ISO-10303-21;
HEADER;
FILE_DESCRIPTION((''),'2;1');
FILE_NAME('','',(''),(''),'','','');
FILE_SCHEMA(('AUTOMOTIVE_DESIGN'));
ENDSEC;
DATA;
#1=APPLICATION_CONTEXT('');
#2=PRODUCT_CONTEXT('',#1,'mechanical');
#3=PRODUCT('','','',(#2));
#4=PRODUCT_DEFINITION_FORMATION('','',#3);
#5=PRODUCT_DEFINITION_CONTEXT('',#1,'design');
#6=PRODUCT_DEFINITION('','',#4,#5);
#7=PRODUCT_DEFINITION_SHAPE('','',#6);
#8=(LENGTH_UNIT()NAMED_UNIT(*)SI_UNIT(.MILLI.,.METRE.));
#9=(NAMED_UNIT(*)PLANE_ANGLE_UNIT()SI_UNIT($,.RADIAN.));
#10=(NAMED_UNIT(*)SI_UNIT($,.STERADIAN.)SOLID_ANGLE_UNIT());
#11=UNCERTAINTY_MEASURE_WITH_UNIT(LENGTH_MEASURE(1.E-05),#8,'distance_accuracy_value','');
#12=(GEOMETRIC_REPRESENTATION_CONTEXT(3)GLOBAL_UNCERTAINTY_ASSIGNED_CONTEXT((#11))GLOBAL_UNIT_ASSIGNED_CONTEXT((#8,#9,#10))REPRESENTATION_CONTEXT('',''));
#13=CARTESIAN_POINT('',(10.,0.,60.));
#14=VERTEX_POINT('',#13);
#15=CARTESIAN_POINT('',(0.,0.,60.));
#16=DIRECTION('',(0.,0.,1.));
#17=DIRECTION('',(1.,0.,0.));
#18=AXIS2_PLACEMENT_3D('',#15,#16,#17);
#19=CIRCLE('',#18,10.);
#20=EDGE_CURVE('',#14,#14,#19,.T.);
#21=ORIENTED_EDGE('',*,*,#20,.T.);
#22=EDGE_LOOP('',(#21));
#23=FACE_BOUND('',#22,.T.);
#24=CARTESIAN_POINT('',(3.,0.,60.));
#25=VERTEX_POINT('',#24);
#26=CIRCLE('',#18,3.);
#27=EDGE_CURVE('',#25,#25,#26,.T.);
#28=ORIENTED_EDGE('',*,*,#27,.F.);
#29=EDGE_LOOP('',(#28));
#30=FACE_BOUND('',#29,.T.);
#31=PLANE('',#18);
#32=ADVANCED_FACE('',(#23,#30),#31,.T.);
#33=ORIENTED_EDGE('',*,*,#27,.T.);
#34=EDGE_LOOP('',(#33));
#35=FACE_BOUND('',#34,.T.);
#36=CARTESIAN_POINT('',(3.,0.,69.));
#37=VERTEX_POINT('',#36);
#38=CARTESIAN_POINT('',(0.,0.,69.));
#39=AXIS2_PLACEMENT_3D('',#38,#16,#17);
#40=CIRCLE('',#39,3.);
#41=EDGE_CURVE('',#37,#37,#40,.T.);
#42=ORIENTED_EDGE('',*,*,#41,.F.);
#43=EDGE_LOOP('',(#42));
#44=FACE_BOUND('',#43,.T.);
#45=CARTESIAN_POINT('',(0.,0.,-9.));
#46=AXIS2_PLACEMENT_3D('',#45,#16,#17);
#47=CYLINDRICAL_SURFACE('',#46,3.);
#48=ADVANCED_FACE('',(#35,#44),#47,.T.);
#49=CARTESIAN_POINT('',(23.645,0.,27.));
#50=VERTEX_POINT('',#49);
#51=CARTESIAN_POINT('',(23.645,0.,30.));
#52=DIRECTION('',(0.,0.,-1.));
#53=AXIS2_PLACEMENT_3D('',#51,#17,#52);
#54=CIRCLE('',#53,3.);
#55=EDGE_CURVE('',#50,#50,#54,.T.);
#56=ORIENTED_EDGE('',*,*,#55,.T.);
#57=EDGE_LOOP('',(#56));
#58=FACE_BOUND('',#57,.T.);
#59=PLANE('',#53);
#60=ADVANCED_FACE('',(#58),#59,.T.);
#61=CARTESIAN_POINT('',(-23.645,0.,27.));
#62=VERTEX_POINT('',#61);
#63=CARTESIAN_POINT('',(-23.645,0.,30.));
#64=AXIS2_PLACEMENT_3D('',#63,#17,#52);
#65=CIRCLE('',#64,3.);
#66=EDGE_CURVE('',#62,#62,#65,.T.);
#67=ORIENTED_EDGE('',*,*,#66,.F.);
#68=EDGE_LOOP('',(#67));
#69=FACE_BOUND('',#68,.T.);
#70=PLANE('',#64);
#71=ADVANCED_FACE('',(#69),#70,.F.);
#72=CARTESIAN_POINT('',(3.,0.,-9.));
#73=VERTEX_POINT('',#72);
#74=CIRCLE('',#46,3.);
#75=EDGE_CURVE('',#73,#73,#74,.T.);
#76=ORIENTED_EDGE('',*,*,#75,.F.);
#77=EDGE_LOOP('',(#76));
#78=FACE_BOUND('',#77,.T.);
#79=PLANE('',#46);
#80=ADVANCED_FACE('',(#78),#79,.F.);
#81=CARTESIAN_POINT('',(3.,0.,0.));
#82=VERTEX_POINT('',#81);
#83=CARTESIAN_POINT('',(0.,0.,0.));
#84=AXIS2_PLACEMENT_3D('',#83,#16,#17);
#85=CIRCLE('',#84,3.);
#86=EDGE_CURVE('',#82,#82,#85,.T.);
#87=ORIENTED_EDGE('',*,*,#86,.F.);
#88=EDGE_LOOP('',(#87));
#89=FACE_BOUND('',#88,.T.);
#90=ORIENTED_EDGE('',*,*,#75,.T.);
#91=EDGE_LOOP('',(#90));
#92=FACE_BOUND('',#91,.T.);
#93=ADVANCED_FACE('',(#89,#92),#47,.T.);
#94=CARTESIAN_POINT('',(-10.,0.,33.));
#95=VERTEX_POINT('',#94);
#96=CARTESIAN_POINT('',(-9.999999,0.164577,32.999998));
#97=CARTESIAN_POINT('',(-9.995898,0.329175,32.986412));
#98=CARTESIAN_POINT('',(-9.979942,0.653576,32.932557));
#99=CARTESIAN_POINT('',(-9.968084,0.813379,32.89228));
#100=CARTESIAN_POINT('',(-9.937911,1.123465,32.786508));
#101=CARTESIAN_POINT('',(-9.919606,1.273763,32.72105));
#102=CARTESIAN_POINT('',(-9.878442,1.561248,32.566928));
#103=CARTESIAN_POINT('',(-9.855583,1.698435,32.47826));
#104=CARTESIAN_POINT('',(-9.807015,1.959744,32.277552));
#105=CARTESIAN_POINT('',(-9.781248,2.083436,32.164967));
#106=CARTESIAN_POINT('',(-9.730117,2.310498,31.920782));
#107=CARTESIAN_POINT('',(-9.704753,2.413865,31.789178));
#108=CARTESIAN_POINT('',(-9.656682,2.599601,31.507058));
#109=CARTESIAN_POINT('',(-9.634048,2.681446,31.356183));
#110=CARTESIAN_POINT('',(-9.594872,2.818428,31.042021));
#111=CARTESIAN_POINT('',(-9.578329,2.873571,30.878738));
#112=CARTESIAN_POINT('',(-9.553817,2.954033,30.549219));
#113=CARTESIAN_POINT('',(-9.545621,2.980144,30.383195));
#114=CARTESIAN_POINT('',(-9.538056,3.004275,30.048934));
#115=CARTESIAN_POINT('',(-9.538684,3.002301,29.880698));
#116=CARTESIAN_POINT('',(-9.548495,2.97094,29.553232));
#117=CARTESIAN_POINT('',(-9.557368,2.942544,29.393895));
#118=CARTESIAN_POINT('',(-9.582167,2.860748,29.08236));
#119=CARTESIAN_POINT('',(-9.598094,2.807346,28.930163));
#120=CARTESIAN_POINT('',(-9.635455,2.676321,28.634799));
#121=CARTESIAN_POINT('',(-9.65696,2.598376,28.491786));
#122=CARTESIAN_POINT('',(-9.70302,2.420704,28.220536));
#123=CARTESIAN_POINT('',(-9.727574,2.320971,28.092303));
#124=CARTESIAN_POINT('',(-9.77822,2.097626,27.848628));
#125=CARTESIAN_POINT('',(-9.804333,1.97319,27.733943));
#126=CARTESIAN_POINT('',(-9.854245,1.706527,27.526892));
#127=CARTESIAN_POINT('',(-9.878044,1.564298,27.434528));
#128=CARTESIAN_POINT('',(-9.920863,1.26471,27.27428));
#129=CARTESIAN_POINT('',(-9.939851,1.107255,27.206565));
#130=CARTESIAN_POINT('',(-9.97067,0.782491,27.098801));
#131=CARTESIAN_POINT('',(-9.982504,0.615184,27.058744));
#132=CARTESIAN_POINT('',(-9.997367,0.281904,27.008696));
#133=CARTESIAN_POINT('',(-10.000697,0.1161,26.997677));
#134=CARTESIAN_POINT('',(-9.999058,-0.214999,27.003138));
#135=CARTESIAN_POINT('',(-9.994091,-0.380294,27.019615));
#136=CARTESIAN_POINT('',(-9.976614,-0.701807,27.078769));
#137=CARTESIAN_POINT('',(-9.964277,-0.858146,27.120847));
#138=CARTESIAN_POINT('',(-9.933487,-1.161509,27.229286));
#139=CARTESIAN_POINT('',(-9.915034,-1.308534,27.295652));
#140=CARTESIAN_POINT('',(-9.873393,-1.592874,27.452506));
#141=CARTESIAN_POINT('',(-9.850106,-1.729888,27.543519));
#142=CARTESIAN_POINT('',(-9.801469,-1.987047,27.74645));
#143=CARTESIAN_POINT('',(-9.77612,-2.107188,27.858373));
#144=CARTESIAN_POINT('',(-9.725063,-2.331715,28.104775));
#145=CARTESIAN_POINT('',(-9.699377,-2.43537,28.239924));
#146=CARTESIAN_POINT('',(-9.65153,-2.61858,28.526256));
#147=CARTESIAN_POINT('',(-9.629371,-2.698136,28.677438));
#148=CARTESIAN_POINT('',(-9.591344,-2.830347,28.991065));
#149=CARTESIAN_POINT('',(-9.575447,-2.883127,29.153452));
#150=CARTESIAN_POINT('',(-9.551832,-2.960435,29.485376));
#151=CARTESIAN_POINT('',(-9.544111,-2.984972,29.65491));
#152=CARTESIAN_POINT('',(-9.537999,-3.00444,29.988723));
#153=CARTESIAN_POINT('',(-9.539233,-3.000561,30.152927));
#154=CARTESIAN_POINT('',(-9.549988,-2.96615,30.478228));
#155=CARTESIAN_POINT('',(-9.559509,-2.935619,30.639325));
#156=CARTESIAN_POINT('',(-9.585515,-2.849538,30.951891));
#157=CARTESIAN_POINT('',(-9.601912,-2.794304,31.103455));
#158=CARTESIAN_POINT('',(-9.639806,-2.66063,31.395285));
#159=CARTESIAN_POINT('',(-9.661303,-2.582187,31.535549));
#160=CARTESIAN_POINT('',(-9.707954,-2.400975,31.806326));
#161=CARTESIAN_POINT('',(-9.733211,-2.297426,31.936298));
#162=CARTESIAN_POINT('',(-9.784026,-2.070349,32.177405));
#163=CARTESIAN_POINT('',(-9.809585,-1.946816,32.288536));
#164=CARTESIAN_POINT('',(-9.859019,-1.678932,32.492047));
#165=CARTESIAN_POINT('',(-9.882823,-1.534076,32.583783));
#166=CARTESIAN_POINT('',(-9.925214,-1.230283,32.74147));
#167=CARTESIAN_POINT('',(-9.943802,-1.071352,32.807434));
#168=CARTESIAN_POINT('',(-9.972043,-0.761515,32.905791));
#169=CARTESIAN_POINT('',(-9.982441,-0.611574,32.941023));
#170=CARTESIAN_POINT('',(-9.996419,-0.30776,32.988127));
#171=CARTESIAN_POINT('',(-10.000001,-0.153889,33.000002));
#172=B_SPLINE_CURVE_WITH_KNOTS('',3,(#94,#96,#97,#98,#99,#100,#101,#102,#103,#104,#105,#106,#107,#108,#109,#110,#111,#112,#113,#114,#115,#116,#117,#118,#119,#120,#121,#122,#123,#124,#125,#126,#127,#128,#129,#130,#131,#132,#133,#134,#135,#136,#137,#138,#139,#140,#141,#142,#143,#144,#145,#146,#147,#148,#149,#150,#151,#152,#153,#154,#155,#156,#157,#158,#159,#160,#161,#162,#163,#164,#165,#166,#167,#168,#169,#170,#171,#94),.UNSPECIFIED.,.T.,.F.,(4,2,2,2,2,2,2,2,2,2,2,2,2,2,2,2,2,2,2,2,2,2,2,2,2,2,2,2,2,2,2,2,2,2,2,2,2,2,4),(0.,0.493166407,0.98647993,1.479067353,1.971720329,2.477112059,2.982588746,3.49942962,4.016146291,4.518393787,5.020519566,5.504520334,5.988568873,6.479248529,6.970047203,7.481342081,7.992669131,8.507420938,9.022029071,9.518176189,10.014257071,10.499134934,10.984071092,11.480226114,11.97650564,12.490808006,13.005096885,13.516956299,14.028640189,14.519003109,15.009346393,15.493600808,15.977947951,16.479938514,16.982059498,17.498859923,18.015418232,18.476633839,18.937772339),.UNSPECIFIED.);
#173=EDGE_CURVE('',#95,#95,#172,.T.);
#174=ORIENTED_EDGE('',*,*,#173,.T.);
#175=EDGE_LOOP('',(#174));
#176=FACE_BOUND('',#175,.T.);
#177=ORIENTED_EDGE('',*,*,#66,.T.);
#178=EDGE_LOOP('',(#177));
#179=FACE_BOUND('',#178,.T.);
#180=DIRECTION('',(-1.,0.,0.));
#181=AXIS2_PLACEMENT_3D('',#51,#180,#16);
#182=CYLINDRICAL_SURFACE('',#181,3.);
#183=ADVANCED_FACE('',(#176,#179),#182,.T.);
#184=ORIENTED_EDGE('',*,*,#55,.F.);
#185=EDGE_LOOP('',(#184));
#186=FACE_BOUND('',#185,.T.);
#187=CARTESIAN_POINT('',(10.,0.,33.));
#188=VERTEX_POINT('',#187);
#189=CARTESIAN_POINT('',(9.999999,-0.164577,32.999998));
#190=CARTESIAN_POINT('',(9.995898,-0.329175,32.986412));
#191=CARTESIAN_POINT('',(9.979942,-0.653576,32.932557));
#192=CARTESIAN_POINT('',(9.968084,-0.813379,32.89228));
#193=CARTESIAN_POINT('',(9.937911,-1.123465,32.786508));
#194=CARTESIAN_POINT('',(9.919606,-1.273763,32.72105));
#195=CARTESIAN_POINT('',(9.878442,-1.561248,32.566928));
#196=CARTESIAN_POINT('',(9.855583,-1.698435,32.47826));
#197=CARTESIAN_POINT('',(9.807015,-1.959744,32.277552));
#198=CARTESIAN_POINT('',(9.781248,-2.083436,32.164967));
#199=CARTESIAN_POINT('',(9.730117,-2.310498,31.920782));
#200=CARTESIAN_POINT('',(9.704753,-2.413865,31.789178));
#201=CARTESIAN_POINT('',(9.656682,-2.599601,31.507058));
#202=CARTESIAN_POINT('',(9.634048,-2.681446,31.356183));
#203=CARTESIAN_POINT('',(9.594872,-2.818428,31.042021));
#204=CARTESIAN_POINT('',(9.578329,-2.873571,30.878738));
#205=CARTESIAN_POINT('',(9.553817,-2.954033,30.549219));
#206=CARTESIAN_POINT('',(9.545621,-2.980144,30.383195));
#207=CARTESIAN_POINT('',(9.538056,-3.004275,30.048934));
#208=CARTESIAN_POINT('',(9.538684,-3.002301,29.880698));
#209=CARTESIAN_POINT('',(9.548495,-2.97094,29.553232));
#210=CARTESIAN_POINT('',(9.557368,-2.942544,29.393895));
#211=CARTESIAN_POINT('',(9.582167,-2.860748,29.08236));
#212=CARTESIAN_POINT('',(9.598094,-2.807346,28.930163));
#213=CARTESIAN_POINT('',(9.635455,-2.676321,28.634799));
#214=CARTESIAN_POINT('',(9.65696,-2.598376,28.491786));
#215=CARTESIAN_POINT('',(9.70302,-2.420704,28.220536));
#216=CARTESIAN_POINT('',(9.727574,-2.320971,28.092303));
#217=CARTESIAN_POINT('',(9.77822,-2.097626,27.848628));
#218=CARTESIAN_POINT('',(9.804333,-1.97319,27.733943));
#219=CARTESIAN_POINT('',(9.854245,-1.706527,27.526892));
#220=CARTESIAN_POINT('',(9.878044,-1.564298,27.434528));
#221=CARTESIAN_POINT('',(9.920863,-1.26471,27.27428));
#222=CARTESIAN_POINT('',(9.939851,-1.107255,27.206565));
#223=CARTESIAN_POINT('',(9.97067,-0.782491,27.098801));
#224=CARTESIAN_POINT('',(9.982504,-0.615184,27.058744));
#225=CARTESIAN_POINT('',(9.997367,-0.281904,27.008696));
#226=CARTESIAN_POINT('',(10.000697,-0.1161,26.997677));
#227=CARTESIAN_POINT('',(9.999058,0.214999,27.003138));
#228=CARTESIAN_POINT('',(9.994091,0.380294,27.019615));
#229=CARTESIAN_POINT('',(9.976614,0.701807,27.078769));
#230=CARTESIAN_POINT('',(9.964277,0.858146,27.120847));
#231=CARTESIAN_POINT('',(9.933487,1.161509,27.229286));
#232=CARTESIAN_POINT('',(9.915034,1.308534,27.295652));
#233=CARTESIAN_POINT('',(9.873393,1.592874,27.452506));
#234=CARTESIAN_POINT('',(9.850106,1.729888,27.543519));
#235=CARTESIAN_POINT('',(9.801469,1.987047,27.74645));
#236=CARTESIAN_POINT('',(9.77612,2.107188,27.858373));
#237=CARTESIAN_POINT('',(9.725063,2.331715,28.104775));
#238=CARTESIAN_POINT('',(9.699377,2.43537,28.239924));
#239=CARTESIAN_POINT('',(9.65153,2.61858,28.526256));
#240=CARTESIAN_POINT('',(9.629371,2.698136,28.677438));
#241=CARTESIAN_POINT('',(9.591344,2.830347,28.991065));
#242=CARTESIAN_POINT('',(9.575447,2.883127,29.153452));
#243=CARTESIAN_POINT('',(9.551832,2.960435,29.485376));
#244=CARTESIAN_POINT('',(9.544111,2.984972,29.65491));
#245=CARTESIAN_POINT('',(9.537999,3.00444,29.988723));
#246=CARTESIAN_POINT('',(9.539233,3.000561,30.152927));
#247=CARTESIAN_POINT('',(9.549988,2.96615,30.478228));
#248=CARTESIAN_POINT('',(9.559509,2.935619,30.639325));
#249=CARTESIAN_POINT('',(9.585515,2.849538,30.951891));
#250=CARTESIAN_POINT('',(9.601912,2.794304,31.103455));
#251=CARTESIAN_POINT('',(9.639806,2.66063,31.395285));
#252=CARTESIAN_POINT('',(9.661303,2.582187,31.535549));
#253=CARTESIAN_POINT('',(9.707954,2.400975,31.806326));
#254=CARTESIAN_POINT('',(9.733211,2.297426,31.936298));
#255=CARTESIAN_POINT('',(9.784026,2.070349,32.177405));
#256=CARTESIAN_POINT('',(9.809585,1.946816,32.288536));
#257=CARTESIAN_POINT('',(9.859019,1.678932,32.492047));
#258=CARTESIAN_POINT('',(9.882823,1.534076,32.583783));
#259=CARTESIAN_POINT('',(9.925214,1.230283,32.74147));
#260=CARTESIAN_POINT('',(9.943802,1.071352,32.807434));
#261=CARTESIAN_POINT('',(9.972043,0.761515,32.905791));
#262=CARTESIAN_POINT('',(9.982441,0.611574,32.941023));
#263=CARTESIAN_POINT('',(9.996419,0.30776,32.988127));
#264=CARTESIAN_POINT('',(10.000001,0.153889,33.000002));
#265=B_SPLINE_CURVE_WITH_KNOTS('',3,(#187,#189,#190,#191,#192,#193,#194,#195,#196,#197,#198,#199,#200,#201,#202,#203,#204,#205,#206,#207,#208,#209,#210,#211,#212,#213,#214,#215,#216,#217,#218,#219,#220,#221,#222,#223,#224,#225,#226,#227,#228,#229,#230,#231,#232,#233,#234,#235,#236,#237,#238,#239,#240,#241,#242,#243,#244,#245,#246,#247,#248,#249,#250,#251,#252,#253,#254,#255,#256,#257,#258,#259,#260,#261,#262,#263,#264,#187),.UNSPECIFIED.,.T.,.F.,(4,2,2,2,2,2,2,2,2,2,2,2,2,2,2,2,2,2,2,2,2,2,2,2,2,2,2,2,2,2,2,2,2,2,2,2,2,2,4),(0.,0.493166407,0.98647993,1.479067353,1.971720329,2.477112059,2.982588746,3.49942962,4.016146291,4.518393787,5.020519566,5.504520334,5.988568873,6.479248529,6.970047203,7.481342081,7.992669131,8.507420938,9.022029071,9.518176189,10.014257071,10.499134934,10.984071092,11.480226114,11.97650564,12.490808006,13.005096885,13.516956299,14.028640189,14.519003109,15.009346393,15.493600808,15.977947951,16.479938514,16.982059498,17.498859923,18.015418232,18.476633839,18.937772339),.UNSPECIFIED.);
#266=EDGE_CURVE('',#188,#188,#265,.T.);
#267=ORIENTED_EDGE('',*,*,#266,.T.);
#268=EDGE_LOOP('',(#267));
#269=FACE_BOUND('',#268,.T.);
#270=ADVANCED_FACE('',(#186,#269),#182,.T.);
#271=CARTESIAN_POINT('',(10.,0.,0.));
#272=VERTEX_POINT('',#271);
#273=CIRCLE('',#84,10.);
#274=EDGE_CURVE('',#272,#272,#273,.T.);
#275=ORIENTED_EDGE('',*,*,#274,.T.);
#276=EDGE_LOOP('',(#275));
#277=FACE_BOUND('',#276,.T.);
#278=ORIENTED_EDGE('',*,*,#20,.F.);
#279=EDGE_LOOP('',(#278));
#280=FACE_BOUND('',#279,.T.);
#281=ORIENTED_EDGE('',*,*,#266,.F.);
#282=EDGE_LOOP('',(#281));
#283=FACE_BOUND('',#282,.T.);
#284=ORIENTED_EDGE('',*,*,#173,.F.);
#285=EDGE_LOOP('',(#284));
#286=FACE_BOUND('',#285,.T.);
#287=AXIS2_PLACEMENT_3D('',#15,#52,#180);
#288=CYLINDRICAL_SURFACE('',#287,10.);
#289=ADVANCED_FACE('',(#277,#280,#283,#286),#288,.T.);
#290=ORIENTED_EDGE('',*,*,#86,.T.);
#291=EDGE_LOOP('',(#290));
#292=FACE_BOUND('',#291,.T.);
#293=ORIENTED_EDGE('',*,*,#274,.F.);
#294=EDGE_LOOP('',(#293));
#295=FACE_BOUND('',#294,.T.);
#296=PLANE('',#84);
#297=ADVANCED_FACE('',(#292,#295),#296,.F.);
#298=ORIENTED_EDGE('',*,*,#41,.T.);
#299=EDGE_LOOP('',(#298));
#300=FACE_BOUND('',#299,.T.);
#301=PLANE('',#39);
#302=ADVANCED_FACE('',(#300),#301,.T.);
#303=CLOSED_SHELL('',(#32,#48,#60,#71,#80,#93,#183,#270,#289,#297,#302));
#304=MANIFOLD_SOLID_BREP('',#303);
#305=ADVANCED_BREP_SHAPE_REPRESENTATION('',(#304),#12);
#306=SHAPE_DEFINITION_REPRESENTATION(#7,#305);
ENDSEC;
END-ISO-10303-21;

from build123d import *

# Parameters (mm, degrees)
SKETCH1_R                = 10
BOSS_EXTRUDE1_DEPTH      = 60
SKETCH2_R                = 3
BOSS_EXTRUDE2_DEPTH      = 23.645
BOSS_EXTRUDE3_DEPTH      = 9
BOSS_EXTRUDE3_DEPTH_BACK = 69
SKETCH3_R                = 3


with BuildPart() as part:
    # Sketch1 → Boss-Extrude1 (new body)
    with BuildSketch(Plane.XY):
        Circle(SKETCH1_R)
    extrude(amount=BOSS_EXTRUDE1_DEPTH)

    # Sketch2 → Boss-Extrude2 (add, symmetric)
    with BuildSketch(Plane(origin=(0, 0, 0), x_dir=(0, 0, -1), z_dir=(1, 0, 0))):
        with Locations((-30, 0)):
            Circle(SKETCH2_R)
    extrude(amount=BOSS_EXTRUDE2_DEPTH, both=True)

    # Sketch3 → Boss-Extrude3 (add, two sides: drawn at the far end of the back side and taken through both)
    with BuildSketch(Plane.XY.offset(60).offset(-BOSS_EXTRUDE3_DEPTH_BACK)):
        Circle(SKETCH3_R)
    extrude(amount=BOSS_EXTRUDE3_DEPTH + BOSS_EXTRUDE3_DEPTH_BACK)


solid = part.part
